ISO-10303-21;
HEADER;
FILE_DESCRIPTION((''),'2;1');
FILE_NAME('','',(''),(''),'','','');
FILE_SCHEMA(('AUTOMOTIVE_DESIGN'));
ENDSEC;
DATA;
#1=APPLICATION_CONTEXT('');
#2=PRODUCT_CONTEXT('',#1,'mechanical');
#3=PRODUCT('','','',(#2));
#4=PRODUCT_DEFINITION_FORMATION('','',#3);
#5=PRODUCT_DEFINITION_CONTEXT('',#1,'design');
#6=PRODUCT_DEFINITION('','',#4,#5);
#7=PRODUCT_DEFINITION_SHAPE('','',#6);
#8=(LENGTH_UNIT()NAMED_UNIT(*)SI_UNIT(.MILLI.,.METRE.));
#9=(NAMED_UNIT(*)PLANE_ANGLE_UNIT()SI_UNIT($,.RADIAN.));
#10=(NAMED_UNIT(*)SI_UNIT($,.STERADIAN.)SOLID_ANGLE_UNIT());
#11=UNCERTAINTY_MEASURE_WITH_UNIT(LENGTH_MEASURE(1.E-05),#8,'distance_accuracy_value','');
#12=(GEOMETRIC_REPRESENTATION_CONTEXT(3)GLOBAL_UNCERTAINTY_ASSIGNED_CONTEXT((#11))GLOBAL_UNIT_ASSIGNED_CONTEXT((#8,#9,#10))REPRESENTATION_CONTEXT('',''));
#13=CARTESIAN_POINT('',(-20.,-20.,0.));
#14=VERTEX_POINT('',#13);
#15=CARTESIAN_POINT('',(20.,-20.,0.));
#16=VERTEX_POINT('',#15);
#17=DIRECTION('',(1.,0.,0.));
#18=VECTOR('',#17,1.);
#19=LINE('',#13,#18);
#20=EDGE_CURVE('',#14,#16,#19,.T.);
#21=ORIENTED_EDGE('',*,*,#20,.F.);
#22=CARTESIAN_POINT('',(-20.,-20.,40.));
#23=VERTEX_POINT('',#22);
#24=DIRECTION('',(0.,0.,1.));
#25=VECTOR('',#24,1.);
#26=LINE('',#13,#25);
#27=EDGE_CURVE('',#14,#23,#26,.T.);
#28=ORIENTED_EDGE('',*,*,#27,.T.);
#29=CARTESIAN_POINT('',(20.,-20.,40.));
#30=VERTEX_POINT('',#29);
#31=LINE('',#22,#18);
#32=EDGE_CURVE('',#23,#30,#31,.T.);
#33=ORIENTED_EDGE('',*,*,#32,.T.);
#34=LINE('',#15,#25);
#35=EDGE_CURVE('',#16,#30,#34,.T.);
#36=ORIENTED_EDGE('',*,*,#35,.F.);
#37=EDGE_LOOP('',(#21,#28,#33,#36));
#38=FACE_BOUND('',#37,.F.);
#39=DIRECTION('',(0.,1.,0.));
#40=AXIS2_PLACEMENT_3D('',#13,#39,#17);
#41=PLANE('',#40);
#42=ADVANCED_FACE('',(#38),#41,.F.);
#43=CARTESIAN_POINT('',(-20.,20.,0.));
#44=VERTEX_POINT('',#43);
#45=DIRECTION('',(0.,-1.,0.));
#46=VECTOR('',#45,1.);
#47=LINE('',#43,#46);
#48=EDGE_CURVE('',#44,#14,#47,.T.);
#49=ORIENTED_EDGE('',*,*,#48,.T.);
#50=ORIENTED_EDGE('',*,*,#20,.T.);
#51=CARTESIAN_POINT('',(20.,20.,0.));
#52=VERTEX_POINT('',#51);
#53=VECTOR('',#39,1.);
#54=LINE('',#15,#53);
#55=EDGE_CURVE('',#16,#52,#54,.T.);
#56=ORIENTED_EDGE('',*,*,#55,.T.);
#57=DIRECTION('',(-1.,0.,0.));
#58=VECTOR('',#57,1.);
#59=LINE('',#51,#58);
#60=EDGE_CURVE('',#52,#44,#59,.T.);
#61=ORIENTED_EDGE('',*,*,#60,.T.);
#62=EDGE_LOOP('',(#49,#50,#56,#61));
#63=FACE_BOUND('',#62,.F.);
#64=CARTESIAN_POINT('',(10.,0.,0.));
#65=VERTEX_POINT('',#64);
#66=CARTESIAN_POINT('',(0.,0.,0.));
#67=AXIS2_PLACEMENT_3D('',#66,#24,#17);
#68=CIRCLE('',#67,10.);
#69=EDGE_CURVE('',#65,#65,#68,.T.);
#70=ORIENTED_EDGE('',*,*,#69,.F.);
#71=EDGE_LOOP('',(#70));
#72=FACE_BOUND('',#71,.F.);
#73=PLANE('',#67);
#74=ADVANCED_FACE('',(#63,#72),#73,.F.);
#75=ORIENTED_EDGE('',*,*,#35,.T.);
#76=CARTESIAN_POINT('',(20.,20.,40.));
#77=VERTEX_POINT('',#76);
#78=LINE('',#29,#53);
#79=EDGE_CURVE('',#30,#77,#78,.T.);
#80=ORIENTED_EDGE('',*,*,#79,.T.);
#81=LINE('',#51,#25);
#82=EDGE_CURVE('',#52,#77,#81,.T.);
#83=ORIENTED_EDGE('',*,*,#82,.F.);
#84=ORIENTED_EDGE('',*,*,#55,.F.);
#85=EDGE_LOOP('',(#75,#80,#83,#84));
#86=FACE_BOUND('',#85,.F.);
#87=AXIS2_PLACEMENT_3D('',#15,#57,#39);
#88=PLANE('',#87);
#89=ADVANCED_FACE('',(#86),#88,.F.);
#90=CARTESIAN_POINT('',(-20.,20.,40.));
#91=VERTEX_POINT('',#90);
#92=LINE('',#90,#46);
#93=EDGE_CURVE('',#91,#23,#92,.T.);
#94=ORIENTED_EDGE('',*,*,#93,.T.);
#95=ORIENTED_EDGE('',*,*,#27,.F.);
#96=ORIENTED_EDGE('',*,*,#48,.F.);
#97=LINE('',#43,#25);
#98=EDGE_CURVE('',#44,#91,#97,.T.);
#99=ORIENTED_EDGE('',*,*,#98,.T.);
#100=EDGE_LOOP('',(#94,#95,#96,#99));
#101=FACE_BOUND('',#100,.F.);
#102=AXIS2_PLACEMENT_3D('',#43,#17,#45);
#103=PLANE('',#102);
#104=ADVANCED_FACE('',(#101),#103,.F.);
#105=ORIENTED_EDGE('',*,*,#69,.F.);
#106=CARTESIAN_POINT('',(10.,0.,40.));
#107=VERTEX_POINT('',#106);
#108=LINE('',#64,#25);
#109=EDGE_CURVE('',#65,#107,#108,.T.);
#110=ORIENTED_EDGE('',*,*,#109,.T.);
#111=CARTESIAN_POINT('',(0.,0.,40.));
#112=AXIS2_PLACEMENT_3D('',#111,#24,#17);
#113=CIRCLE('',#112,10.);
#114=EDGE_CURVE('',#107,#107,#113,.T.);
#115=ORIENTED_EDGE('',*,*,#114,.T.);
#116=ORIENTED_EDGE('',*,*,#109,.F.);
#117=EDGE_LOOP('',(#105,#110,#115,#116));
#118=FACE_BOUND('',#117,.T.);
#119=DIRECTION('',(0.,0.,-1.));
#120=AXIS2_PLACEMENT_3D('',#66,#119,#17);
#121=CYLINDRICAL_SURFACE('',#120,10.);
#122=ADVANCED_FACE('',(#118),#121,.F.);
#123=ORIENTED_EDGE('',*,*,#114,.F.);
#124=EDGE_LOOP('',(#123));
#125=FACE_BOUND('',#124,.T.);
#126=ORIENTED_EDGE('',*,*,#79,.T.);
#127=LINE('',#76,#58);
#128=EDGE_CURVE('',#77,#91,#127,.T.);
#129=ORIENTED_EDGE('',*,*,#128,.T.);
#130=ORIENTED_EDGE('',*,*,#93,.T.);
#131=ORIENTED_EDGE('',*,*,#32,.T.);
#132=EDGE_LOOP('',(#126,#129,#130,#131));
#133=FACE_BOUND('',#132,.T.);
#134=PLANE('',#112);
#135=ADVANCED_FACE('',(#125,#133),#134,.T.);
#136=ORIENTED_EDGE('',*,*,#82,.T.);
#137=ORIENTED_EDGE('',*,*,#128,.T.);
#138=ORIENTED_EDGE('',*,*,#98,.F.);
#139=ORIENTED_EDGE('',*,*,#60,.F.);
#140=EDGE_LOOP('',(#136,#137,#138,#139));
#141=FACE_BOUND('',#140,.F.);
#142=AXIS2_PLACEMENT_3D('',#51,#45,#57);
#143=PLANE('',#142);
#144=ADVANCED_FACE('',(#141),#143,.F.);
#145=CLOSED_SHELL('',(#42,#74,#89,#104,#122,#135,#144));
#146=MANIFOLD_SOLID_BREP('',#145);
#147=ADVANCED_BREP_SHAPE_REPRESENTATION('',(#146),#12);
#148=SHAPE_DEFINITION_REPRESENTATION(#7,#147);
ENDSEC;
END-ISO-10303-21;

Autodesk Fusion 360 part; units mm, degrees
sketch "WCS Profiles" plane through (0, 0, 0) normal (0, 0, 1) x (1, 0, 0)
  line L0 (20, 20) -> (-20, 20)
  line L1 (-20, 20) -> (-20, -20)
  line L2 (-20, -20) -> (20, -20)
  line L3 (20, -20) -> (20, 20)
  line L4 (20, 20) -> (-20, -20) construction
  line L5 (-20, 20) -> (20, -20) construction
  circle A0 centre (0, 0) radius 10
  dimension "d14" = 40
  dimension "d15" = 20
extrude "Extrude1" add sketch "WCS Profiles" along normal blind 40
